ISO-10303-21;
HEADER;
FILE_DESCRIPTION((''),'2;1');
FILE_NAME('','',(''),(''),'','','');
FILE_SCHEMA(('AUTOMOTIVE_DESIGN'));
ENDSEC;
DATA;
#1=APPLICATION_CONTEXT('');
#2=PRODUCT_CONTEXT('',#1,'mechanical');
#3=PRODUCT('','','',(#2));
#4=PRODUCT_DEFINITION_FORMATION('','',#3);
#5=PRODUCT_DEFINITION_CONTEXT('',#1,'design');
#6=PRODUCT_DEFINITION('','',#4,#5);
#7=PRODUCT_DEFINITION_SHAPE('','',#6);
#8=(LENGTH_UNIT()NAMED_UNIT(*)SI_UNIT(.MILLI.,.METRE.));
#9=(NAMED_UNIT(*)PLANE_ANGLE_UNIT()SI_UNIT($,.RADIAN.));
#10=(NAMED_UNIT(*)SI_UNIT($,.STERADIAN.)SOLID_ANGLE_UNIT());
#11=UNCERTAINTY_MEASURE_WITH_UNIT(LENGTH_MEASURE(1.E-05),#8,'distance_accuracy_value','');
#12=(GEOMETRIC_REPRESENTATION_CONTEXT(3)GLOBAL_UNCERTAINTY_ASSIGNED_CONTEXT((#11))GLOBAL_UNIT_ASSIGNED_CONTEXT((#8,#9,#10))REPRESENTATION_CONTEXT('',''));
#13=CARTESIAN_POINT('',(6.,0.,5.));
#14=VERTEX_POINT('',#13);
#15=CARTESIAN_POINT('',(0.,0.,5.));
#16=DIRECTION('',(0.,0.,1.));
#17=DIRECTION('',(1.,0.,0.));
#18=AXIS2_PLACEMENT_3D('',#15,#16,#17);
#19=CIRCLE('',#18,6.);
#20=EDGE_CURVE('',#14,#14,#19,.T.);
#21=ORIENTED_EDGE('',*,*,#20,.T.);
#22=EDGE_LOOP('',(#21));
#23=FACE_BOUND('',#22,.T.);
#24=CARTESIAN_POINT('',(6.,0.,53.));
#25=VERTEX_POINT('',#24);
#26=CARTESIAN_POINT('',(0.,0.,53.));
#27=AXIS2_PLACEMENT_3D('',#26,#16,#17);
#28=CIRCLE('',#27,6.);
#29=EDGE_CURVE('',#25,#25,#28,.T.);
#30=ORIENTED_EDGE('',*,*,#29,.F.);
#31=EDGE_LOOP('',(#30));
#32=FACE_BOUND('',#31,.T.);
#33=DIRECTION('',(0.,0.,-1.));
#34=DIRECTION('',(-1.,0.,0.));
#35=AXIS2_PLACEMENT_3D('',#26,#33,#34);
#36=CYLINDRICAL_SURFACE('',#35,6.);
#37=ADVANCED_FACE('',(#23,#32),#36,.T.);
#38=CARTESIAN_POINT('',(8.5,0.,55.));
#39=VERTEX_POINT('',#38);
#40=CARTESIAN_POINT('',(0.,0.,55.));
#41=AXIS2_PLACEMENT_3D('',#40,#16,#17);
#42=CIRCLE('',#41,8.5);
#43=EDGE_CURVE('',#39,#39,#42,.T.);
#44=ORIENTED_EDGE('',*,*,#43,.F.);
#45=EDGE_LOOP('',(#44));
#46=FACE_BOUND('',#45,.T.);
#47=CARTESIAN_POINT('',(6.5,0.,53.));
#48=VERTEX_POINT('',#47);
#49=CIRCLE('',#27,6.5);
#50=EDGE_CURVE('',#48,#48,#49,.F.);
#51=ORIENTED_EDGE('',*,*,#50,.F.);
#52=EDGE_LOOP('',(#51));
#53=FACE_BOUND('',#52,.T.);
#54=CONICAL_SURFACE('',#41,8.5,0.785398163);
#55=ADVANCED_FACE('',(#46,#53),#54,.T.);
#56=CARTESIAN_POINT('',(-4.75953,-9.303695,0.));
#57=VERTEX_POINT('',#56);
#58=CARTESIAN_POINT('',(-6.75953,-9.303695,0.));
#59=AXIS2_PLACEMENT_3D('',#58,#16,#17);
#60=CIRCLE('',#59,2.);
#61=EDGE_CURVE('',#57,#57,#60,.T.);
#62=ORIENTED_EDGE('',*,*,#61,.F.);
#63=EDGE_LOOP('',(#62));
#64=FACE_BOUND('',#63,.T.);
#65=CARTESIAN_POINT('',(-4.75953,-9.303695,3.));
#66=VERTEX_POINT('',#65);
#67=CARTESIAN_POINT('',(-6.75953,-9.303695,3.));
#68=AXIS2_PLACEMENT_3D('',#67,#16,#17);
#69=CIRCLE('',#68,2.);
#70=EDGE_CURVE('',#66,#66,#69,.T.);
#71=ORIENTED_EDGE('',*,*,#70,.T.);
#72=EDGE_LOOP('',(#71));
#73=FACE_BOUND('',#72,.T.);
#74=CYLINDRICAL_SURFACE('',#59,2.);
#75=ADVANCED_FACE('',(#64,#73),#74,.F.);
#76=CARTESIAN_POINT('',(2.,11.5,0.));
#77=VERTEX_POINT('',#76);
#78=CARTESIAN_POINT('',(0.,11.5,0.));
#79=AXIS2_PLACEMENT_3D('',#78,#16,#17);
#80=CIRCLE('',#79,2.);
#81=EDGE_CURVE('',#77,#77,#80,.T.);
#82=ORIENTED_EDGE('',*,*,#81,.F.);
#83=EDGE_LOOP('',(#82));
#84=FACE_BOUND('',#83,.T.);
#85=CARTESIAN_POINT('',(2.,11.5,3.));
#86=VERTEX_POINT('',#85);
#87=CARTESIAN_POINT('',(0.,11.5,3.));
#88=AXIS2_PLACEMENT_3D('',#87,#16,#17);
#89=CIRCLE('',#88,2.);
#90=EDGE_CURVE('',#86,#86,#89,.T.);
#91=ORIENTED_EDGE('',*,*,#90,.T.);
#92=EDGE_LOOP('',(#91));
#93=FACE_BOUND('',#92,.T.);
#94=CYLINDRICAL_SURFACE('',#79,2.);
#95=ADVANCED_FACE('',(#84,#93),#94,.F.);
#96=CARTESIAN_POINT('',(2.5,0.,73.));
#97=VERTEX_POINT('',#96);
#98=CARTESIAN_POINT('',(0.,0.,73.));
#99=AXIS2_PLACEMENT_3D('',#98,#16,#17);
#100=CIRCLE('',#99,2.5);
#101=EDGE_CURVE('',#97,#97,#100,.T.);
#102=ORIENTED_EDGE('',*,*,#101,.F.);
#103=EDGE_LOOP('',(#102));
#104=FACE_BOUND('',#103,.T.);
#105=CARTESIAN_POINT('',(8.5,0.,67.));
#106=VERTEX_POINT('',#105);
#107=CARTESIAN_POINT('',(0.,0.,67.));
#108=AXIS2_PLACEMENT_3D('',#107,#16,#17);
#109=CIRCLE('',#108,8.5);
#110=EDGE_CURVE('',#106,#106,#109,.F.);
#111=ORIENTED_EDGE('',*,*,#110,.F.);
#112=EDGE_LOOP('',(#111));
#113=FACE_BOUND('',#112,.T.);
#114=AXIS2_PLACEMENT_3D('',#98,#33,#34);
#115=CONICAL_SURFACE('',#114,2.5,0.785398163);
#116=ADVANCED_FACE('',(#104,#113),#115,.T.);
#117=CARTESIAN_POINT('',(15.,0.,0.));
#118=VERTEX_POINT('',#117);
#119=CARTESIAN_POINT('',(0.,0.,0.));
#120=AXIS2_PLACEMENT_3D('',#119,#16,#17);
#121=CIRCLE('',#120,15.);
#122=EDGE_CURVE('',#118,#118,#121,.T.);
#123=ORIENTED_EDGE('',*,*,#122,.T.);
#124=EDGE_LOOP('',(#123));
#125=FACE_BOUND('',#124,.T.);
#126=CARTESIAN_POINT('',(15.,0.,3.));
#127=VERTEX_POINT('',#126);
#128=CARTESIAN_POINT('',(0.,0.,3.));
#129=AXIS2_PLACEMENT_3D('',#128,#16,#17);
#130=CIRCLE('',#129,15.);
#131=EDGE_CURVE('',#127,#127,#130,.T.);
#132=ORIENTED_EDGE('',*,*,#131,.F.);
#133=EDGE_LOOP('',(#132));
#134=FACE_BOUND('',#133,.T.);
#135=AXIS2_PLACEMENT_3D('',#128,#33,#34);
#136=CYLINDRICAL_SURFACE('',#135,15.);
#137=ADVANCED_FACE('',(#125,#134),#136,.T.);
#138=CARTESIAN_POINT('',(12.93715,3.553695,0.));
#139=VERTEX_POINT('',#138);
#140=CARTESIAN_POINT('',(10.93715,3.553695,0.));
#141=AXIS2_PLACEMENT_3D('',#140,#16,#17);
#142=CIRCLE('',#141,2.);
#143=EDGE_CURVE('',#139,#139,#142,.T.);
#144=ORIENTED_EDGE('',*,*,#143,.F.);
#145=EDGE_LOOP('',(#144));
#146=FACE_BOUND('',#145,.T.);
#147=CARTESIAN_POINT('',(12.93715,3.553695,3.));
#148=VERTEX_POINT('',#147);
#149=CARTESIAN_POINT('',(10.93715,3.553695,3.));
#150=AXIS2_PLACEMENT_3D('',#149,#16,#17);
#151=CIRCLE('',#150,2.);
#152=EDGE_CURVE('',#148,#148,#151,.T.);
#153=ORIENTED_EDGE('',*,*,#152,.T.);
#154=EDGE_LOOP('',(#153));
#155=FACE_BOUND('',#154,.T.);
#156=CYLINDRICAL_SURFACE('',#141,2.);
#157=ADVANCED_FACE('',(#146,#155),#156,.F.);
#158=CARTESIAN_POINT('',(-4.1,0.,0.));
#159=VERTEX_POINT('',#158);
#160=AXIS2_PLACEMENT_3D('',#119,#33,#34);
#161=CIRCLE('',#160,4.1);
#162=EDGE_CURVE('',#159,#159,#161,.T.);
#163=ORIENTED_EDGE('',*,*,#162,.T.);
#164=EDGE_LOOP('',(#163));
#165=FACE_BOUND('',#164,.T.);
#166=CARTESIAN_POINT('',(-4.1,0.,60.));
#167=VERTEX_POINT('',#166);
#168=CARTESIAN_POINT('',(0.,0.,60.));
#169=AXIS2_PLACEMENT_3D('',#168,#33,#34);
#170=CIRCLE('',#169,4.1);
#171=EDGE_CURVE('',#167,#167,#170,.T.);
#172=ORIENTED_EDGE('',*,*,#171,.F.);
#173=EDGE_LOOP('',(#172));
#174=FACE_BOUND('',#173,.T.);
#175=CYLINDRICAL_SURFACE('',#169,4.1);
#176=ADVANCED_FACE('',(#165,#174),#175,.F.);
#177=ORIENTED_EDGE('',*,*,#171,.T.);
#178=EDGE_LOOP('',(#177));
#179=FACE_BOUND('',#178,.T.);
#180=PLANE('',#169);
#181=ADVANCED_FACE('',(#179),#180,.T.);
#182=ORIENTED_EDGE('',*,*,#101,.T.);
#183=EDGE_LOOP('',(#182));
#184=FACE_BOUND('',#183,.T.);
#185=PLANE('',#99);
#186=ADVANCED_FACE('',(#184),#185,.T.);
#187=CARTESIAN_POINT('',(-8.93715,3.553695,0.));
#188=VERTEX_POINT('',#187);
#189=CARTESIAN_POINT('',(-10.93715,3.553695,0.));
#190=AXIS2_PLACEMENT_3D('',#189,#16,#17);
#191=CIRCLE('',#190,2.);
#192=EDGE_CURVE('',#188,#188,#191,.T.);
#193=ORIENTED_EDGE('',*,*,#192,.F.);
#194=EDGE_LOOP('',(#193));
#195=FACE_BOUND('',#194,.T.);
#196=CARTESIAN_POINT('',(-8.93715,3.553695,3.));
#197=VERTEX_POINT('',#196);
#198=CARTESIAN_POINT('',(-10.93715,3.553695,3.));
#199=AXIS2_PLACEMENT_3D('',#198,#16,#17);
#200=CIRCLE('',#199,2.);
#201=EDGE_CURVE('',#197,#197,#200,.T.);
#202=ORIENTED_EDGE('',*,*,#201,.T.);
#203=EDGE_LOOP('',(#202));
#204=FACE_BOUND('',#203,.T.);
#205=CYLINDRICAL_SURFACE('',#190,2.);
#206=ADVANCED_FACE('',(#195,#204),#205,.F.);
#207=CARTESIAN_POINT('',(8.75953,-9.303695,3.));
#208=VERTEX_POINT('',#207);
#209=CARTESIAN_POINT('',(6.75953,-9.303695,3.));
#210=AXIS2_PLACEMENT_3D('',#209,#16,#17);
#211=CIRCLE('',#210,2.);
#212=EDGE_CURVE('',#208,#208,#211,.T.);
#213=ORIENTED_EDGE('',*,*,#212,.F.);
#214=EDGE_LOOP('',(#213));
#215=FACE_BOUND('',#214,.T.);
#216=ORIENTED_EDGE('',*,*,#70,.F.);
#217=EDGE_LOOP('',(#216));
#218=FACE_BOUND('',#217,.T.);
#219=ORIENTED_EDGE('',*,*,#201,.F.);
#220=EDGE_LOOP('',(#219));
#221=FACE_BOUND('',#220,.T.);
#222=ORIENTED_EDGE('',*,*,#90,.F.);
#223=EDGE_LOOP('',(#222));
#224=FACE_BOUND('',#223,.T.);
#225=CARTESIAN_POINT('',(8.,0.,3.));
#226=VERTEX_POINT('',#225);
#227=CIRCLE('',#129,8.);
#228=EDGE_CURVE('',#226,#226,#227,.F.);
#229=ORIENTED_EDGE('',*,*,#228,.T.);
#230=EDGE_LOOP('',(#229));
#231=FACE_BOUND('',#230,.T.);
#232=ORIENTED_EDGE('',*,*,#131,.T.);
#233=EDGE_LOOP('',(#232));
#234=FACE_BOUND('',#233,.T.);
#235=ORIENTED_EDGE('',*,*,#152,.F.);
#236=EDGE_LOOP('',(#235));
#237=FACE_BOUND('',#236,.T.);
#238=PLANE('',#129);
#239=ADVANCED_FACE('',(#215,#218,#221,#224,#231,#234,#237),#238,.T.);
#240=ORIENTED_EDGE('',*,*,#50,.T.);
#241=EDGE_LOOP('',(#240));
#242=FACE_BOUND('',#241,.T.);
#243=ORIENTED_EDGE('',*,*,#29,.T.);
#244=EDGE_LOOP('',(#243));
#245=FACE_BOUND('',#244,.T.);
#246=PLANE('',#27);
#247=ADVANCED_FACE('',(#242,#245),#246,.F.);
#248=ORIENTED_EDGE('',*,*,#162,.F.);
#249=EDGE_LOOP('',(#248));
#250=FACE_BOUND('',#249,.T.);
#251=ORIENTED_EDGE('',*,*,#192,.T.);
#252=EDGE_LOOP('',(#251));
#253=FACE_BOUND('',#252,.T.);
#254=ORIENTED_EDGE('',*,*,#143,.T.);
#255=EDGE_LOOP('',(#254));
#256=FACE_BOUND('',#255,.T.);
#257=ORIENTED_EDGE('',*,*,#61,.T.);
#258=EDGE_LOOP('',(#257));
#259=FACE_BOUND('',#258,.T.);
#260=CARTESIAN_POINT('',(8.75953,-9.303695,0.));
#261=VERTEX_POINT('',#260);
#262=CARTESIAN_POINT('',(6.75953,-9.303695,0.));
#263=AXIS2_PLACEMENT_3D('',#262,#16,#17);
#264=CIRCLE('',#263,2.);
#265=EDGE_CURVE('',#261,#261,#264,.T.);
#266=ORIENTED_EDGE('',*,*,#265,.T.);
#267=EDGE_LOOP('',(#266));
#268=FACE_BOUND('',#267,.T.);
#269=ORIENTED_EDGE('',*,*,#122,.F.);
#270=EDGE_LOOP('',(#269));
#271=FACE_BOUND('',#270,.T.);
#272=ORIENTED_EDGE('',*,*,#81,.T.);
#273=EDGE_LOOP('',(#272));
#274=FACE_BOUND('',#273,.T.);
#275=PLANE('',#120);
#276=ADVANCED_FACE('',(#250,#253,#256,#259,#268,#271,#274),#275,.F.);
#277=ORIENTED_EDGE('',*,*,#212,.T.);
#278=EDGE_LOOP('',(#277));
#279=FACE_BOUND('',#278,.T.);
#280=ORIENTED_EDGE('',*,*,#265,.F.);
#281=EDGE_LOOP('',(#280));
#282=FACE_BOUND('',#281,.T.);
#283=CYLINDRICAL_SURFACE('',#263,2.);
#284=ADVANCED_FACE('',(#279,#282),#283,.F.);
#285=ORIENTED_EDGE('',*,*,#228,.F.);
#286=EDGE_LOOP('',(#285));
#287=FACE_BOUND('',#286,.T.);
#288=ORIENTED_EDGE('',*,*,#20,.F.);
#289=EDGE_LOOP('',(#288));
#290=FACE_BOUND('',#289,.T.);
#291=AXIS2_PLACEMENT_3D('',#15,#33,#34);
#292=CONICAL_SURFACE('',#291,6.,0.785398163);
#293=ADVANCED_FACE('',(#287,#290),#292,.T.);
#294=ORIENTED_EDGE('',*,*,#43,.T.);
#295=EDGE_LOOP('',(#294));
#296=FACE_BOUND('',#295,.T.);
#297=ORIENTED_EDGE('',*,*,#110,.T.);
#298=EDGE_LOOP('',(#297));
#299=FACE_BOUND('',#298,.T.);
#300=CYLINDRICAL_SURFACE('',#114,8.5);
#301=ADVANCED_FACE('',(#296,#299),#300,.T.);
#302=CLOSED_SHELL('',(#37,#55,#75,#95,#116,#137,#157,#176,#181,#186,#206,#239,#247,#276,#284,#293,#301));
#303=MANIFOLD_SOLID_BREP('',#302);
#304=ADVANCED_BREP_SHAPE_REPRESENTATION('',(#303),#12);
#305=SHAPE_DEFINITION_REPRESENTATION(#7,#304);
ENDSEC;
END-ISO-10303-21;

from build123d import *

# Parameters (mm, degrees)
SKETCH1_R           = 15
BOSS_EXTRUDE1_DEPTH = 3
SKETCH2_R           = 2
CUT_EXTRUDE1_DEPTH  = 3
SKETCH3_R           = 6
BOSS_EXTRUDE5_DEPTH = 50
CHAMFER1_SIZE       = 2
SKETCH5_R           = 8.5
BOSS_EXTRUDE6_DEPTH = 20
CHAMFER2_SIZE       = 6
CHAMFER3_SIZE       = 2
SKETCH6_R           = 4.1
CUT_EXTRUDE2_DEPTH  = 60


with BuildPart() as part:
    # Sketch1 → Boss-Extrude1 (new body)
    with BuildSketch(Plane.XY):
        Circle(SKETCH1_R)
    extrude(amount=BOSS_EXTRUDE1_DEPTH)

    # Sketch2 → Cut-Extrude1 (cut)
    with BuildSketch(Plane.XY.offset(3)):
        with Locations((0, 11.5)):
            Circle(SKETCH2_R)
        with Locations((10.937149937, 3.553695435)):
            Circle(SKETCH2_R)
        with Locations((6.759530401, -9.303695435)):
            Circle(SKETCH2_R)
        with Locations((-6.759530401, -9.303695435)):
            Circle(SKETCH2_R)
        with Locations((-10.937149937, 3.553695435)):
            Circle(SKETCH2_R)
    extrude(amount=-CUT_EXTRUDE1_DEPTH, mode=Mode.SUBTRACT)

    # Sketch3 → Boss-Extrude5 (add)
    with BuildSketch(Plane.XY.offset(3)):
        Circle(SKETCH3_R)
    extrude(amount=BOSS_EXTRUDE5_DEPTH)

    # Chamfer1
    chamfer1_edges = [part.edges().sort_by_distance(p)[0] for p in [
        (-6, 0, 3),
    ]]
    chamfer(chamfer1_edges, length=CHAMFER1_SIZE)

    # Sketch5 → Boss-Extrude6 (add)
    with BuildSketch(Plane.XY.offset(53)):
        Circle(SKETCH5_R)
    extrude(amount=BOSS_EXTRUDE6_DEPTH)

    # Chamfer2
    chamfer2_edges = [part.edges().sort_by_distance(p)[0] for p in [
        (-8.5, 0, 73),
    ]]
    chamfer(chamfer2_edges, length=CHAMFER2_SIZE)

    # Chamfer3
    chamfer3_edges = [part.edges().sort_by_distance(p)[0] for p in [
        (-8.5, 0, 53),
    ]]
    chamfer(chamfer3_edges, length=CHAMFER3_SIZE)

    # Sketch6 → Cut-Extrude2 (cut)
    with BuildSketch(Plane(origin=(0, 0, 0), x_dir=(-1, 0, 0), z_dir=(0, 0, -1))):
        Circle(SKETCH6_R)
    extrude(amount=-CUT_EXTRUDE2_DEPTH, mode=Mode.SUBTRACT)


solid = part.part
